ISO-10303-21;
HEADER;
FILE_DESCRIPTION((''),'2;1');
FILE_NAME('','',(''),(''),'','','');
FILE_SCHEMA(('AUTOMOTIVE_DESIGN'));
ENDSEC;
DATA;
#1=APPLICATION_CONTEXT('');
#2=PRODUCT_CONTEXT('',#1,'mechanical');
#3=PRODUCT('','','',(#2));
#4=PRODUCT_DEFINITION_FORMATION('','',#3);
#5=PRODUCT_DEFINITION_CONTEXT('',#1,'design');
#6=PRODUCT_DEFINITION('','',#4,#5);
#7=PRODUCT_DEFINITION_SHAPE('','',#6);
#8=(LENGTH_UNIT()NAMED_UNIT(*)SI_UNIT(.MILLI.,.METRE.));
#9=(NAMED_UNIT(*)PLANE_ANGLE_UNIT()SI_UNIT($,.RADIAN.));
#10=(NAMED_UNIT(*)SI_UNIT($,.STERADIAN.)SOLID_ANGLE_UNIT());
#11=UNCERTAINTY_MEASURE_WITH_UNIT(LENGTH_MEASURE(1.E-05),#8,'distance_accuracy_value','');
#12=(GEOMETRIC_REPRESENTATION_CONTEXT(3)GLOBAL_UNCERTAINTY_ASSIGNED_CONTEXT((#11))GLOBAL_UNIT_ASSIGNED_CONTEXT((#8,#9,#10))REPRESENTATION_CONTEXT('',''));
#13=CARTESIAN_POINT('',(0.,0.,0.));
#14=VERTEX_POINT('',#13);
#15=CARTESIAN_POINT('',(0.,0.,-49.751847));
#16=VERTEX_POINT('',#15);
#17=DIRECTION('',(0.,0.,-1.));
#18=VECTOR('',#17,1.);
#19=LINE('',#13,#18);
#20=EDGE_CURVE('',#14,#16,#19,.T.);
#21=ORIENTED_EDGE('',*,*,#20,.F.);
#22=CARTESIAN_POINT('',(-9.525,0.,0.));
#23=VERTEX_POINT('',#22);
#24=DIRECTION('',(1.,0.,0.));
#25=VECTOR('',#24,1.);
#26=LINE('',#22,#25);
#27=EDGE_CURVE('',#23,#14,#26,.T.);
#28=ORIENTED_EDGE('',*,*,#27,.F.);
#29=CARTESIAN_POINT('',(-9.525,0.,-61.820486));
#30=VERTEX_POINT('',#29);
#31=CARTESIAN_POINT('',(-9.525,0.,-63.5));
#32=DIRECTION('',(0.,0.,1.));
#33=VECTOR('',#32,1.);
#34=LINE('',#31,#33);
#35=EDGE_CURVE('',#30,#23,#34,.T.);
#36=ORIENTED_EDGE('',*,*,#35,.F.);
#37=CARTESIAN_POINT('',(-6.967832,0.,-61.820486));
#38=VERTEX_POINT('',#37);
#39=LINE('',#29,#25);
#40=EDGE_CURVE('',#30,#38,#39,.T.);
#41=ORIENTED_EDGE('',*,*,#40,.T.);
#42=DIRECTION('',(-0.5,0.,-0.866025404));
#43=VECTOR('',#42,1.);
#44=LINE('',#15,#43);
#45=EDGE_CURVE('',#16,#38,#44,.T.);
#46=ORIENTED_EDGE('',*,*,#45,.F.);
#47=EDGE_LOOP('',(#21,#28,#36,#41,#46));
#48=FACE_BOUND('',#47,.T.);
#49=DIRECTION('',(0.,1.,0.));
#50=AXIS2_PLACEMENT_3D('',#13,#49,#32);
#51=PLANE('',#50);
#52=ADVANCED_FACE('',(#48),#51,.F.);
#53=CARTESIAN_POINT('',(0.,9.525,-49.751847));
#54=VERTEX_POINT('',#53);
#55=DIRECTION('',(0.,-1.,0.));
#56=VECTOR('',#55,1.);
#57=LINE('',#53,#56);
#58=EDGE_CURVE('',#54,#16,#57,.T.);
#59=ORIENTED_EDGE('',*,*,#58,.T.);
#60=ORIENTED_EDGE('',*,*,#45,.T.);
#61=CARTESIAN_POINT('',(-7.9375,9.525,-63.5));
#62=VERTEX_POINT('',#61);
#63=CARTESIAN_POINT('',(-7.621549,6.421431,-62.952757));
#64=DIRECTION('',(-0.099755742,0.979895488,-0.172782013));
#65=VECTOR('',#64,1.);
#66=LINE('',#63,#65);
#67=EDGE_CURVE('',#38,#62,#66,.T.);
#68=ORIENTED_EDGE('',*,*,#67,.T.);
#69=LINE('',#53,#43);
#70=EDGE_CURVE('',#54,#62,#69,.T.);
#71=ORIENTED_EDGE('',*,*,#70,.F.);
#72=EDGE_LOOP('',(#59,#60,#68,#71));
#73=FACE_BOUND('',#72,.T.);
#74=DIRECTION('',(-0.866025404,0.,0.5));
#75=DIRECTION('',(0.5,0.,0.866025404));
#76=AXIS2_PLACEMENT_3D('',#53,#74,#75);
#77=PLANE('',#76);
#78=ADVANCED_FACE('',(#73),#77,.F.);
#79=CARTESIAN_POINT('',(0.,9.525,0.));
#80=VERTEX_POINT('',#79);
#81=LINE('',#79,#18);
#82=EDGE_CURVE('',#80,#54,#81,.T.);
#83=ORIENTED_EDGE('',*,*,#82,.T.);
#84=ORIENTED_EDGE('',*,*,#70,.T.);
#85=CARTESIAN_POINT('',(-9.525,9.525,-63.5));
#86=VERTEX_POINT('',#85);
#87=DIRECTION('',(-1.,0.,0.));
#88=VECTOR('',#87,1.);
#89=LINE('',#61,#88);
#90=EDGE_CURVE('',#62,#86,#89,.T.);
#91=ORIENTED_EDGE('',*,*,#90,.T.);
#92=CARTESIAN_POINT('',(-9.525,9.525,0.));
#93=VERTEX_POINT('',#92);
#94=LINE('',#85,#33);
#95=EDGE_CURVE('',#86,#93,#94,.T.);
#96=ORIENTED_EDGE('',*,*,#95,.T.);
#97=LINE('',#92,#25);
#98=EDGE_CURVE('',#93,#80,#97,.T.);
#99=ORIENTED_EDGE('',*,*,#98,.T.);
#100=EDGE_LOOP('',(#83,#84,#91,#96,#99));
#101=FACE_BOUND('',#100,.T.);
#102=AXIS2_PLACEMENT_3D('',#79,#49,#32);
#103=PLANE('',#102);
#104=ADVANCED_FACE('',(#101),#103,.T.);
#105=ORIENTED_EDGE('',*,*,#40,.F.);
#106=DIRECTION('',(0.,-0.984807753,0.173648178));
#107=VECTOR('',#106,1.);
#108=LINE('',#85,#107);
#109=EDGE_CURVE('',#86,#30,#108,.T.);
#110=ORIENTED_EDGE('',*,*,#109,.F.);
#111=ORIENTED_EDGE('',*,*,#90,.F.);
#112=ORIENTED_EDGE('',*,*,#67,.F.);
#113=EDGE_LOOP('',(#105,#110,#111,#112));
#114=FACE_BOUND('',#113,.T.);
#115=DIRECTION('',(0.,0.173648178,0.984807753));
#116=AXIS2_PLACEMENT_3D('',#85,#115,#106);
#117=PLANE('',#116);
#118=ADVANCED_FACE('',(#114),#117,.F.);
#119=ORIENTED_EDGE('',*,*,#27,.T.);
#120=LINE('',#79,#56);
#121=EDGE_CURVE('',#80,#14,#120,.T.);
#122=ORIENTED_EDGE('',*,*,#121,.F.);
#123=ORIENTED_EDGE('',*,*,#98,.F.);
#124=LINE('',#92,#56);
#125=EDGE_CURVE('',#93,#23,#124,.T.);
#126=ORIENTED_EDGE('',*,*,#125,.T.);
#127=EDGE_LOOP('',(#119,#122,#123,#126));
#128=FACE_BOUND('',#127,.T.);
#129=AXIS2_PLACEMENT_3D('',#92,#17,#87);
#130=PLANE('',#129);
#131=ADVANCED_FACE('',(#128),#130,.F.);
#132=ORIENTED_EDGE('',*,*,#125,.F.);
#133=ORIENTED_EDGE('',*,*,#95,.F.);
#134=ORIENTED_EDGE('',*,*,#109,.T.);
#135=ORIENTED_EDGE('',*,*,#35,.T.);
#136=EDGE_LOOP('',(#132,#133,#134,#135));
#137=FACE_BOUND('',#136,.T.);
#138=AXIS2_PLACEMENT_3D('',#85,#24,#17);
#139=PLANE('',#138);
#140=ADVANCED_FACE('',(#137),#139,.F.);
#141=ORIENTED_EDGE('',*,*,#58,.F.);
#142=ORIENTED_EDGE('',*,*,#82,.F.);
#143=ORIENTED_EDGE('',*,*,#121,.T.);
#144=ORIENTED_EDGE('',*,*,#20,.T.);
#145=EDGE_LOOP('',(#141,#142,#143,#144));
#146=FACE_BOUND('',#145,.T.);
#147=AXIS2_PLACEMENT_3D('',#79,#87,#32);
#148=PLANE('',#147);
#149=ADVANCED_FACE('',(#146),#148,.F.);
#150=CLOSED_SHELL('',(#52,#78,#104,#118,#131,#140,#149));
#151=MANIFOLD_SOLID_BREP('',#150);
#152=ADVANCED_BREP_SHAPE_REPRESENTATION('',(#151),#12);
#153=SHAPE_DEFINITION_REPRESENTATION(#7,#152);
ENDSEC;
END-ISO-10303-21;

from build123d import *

# Parameters (mm, degrees)
BOSS_EXTRUDE1_DEPTH = 9.525
CUT_EXTRUDE1_DEPTH  = 9.525


with BuildPart() as part:
    # Sketch1 → Boss-Extrude1 (new body)
    with BuildSketch(Plane(origin=(0, 0, 0), x_dir=(1, 0, 0), z_dir=(0, 1, 0))):
        Polygon((0, 0), (0, 49.751846715), (-7.9375, 63.5), (-9.525, 63.5), (-9.525, 0), align=None)
    extrude(amount=BOSS_EXTRUDE1_DEPTH)

    # Sketch2 → Cut-Extrude1 (cut)
    with BuildSketch(Plane(origin=(0, 0, 0), x_dir=(0, 0, -1), z_dir=(1, 0, 0))):
        Polygon((63.5, 9.525), (61.820485509, 0), (63.5, 0), align=None)
    extrude(amount=-CUT_EXTRUDE1_DEPTH, mode=Mode.SUBTRACT)


solid = part.part
